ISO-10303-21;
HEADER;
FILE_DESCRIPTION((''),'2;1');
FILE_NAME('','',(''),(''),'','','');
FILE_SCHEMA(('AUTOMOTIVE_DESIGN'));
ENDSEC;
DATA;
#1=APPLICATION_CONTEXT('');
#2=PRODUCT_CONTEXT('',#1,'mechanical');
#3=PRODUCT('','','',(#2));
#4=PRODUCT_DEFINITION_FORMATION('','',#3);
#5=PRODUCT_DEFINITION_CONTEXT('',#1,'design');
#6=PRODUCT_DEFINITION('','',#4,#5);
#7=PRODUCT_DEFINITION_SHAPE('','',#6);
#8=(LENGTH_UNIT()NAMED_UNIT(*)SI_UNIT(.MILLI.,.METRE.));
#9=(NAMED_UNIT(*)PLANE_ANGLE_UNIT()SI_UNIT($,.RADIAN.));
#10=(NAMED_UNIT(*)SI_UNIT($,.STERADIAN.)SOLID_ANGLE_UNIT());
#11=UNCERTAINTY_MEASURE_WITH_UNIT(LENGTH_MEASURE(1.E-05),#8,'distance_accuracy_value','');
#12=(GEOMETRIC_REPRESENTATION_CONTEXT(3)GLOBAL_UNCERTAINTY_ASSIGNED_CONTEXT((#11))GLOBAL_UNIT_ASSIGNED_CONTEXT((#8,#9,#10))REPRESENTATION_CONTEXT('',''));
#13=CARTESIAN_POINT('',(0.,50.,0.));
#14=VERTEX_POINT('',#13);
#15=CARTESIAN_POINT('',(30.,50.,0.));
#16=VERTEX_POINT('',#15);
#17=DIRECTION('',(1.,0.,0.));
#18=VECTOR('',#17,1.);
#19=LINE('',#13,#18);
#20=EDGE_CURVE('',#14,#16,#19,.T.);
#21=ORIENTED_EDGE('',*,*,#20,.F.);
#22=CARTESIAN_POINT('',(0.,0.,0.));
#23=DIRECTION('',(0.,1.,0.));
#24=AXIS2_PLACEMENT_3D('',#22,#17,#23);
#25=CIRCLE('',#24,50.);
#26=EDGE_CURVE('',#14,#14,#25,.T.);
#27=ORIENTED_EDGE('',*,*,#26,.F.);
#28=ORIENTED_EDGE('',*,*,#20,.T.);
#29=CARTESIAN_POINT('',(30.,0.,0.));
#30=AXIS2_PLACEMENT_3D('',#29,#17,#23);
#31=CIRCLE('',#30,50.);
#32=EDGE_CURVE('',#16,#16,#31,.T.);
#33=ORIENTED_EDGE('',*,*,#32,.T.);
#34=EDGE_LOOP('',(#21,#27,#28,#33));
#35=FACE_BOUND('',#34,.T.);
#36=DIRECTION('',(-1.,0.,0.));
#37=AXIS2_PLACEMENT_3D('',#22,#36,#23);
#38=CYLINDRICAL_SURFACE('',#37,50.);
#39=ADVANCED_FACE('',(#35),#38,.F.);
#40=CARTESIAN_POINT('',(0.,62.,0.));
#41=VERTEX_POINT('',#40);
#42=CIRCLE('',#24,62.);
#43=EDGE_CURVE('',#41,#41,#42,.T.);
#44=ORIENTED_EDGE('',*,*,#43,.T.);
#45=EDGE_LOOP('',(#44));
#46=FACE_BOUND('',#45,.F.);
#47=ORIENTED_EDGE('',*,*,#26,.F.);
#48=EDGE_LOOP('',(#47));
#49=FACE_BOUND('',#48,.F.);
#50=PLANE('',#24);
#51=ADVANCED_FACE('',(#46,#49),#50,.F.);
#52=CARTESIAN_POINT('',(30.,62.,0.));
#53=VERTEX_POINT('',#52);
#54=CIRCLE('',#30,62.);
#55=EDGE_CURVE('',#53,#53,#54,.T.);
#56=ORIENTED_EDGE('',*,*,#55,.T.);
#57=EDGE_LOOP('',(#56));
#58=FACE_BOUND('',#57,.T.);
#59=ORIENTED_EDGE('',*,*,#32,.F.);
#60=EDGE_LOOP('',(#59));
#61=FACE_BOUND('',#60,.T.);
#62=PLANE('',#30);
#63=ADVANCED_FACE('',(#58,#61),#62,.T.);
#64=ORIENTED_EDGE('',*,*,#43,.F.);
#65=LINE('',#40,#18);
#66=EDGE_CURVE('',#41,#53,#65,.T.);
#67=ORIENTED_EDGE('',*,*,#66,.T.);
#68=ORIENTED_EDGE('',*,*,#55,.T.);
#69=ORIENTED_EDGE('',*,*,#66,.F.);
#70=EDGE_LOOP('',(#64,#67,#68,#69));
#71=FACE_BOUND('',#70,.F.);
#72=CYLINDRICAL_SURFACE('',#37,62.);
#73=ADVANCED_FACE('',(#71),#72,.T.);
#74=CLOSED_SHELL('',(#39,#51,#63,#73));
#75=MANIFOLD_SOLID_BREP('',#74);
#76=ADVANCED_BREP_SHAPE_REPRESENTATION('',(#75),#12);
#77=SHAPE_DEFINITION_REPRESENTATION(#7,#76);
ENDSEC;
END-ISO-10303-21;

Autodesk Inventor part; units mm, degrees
ref_plane "YZ Plane" through (0, 0, 0) normal (1, 0, 0) x (0, 1, 0)
ref_plane "XZ Plane" through (0, 0, 0) normal (0, 1, 0) x (-1, 0, 0)
ref_plane "XY Plane" through (0, 0, 0) normal (0, 0, 1) x (1, 0, 0)
sketch "Sketch1" plane through (0, 0, 0) normal (1, 0, 0) x (0, 1, 0)
  circle A0 centre (0, 0) radius 50
  circle A1 centre (0, 0) radius 62
  dimension "d0" = 100
  dimension "d1" = 124
extrude "Extrusion1" add sketch "Sketch1" along normal blind 30
properties part number "Spaziamento6-7-8ipt" material "Steel, Alloy"
